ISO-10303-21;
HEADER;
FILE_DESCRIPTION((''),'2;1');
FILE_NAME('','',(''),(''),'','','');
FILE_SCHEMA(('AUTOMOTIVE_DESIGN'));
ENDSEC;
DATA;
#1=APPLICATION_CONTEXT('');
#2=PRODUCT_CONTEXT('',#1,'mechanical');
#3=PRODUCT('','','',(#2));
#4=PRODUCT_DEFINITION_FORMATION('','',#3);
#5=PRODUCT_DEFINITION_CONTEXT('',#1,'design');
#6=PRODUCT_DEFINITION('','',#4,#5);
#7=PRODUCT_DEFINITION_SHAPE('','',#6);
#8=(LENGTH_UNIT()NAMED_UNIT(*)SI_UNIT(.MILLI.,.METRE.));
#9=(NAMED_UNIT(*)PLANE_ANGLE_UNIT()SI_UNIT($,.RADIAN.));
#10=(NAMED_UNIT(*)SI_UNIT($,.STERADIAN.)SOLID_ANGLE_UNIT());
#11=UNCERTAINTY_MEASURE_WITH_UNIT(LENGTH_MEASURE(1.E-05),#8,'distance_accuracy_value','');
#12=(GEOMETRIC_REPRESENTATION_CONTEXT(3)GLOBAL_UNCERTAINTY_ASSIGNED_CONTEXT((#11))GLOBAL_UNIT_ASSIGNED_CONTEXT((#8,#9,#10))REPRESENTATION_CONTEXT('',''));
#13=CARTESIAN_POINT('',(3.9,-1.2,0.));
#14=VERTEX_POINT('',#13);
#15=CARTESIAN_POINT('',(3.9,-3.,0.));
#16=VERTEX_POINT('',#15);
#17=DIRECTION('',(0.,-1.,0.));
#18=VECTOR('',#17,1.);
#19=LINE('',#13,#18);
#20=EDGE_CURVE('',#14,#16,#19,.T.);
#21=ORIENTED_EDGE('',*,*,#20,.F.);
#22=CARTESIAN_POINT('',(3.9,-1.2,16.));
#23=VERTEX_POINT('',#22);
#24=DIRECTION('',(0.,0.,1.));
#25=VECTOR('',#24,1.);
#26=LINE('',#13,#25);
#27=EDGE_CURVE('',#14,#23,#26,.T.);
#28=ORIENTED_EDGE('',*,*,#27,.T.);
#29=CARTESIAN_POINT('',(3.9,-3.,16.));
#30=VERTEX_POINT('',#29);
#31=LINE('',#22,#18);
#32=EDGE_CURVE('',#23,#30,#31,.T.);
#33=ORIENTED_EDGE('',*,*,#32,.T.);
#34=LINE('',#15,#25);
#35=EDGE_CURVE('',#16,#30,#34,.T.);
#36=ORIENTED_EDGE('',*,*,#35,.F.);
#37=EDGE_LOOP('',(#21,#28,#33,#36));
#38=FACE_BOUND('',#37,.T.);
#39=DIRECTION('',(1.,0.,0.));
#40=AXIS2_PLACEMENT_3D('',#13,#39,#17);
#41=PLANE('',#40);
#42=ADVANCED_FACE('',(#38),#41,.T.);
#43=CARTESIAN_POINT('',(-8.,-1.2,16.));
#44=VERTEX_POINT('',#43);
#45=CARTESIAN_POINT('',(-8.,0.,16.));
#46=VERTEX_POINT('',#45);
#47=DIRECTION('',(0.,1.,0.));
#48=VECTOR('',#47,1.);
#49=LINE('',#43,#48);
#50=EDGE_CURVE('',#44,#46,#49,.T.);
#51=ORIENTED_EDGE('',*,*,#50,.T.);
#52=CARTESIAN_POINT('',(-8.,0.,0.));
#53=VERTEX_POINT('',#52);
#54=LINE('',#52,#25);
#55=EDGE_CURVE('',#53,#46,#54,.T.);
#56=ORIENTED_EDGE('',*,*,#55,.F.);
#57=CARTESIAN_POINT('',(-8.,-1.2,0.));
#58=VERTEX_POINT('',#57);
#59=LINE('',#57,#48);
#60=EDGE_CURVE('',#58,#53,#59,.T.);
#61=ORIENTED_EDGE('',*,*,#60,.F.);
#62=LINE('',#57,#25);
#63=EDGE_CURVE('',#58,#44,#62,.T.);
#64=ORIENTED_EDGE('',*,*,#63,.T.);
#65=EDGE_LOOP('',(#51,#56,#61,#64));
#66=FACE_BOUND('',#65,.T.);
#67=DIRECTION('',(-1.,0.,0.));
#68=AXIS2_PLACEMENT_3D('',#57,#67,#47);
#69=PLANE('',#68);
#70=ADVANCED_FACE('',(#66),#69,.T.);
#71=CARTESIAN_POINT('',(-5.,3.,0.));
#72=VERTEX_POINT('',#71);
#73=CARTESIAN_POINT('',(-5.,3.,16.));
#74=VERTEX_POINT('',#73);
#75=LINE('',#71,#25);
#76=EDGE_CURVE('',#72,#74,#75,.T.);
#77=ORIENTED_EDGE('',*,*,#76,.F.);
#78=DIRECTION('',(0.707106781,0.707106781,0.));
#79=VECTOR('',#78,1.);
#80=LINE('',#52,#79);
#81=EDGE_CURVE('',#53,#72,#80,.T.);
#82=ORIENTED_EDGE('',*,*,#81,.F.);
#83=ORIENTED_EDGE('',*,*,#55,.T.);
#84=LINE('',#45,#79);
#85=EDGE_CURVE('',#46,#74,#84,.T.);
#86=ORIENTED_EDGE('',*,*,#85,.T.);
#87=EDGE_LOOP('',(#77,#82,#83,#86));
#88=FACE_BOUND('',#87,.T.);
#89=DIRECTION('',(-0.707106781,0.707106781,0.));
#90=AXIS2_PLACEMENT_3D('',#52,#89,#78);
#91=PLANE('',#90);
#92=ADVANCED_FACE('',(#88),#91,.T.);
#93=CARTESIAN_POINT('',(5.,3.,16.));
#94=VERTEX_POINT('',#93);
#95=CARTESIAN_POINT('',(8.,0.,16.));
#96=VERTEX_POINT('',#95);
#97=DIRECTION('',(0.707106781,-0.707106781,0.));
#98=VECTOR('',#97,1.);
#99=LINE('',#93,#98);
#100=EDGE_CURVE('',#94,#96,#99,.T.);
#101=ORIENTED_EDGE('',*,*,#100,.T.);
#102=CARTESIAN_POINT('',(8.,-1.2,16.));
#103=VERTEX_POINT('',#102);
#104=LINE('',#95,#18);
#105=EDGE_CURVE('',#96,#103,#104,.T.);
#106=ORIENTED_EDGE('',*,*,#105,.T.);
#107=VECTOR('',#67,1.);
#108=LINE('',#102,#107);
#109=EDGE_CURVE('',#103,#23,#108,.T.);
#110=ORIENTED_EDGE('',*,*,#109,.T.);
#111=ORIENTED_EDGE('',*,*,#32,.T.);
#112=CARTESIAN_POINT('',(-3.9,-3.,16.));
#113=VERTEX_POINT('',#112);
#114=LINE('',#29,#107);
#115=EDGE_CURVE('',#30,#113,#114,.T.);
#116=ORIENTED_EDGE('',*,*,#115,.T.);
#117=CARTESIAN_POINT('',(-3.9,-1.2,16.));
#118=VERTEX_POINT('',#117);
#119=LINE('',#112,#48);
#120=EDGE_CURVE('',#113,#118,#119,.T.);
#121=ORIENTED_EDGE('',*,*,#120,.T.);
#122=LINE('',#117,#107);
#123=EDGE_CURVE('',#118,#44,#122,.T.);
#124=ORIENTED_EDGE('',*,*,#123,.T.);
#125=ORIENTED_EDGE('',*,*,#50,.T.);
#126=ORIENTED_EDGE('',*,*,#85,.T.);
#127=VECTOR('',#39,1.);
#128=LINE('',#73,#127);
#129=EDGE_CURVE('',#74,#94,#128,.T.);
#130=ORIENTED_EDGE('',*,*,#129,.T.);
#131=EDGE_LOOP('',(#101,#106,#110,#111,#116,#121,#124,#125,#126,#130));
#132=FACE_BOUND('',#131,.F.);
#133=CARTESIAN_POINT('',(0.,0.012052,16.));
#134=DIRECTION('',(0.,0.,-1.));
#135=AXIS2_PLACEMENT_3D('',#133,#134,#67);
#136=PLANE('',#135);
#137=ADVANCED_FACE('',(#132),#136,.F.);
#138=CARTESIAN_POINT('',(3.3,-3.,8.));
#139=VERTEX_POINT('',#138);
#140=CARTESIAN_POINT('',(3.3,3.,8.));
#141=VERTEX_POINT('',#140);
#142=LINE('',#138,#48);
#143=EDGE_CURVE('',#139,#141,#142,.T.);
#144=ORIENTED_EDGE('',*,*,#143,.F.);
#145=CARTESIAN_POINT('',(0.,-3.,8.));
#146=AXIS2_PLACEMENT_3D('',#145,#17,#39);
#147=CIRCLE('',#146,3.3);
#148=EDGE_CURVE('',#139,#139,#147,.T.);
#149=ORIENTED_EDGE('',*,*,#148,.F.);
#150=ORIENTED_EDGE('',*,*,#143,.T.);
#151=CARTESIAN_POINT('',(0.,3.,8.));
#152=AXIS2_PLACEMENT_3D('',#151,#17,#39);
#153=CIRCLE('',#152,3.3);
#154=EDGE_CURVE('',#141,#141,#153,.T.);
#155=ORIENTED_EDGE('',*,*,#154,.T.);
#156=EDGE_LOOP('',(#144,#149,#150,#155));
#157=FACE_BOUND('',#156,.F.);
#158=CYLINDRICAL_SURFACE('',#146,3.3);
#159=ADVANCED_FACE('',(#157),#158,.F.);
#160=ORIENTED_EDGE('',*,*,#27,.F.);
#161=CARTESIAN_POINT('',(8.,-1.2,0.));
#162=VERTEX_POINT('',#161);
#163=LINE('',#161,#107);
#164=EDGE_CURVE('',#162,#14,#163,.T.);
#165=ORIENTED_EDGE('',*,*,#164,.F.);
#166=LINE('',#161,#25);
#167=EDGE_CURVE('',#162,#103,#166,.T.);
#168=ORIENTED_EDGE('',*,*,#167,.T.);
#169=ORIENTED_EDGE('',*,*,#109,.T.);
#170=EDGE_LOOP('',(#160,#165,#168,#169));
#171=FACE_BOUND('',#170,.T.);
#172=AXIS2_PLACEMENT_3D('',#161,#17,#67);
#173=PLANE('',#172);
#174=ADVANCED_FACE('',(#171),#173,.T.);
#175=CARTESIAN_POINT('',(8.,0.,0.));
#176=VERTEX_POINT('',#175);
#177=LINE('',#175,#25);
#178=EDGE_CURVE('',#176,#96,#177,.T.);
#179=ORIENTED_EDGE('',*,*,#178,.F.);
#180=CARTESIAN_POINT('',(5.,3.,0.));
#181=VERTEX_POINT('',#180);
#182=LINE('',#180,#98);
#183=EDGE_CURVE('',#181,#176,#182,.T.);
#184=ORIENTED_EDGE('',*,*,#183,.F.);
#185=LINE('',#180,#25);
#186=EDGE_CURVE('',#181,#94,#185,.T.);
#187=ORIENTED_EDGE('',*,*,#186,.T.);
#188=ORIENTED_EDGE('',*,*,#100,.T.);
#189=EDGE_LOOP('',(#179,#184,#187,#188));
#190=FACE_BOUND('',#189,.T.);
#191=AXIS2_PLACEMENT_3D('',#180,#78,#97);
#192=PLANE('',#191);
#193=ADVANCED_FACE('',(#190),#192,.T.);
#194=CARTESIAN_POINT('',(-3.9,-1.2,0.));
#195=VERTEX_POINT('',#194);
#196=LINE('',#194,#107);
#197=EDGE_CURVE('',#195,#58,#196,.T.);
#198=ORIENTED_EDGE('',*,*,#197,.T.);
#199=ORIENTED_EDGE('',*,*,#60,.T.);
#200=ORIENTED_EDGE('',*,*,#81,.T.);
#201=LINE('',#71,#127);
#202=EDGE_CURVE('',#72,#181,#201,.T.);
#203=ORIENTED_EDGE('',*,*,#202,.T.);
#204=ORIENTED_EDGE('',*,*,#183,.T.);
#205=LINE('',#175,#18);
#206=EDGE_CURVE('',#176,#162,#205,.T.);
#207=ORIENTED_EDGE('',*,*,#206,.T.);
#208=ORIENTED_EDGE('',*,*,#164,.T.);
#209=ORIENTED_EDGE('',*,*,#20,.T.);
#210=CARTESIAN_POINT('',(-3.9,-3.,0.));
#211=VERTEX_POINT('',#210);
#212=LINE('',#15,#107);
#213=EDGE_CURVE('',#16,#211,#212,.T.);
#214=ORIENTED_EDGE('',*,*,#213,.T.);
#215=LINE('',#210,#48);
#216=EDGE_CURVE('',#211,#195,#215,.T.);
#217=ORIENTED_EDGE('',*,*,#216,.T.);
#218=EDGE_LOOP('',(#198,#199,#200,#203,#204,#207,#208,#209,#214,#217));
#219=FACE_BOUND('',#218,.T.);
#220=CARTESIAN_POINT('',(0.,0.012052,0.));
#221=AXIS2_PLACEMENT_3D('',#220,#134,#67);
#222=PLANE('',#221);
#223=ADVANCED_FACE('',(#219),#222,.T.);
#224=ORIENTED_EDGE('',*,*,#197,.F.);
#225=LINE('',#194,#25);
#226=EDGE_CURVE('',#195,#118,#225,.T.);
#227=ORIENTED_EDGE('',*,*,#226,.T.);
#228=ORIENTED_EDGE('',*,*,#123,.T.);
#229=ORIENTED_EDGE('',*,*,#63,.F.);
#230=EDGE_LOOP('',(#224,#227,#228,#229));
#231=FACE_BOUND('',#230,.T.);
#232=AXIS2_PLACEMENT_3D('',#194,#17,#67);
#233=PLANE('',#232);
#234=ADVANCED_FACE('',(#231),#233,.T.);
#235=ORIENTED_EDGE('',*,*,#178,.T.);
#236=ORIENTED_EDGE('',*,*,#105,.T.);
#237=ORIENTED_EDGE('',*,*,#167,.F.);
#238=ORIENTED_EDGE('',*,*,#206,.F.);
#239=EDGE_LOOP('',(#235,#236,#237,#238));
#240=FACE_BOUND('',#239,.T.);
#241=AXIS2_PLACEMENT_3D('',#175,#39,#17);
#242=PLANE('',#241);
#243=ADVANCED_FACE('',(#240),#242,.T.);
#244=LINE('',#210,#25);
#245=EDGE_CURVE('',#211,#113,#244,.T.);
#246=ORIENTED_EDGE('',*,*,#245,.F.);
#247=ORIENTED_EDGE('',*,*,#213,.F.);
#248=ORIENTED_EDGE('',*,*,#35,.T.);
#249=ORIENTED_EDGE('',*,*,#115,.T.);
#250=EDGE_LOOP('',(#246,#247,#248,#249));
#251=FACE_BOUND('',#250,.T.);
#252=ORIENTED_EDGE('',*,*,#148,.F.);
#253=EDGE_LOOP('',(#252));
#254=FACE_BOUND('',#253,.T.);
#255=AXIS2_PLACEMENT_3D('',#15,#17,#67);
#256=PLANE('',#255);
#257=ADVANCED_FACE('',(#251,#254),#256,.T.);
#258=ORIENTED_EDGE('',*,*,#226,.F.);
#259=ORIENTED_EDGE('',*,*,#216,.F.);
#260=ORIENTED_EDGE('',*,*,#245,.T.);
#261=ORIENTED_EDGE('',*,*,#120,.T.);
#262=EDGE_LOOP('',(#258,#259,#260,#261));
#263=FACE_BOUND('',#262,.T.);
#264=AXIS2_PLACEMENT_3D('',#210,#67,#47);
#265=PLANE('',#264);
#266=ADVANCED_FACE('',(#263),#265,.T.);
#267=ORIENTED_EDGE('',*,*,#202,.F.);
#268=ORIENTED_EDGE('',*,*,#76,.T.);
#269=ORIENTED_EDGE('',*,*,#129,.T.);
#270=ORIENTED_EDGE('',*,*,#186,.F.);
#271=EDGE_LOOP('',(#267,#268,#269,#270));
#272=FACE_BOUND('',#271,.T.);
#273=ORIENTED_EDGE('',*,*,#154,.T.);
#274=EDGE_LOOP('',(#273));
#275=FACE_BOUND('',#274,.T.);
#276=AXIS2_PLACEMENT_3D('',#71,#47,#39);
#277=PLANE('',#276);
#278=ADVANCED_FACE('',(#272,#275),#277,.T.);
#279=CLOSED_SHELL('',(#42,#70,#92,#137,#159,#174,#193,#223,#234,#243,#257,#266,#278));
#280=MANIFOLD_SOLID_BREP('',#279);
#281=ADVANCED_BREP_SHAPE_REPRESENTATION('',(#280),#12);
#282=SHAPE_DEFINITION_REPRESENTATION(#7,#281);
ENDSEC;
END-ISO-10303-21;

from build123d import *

# Parameters (mm, degrees)
PAD002_DEPTH   = 16
SKETCH005_R    = 3.3
HOLE002_DEPTH  = 6
HOLE002_TIPS_R = 3.3


with BuildPart() as part:
    # Sketch004 → Pad002 (new body)
    with BuildSketch(Plane.XY):
        Polygon((-5, 3), (5, 3), (8, 0), (8, -1.2), (3.9, -1.2), (3.9, -3), (-3.9, -3), (-3.9, -1.2), (-8, -1.2), (-8, 0), align=None)
    extrude(amount=PAD002_DEPTH)

    # Sketch005 (on Face6 of Pad002) → Hole002 (cut)
    with BuildSketch(Plane.XZ.offset(3)):
        with Locations((0, 8)):
            Circle(SKETCH005_R)
    extrude(amount=-HOLE002_DEPTH, mode=Mode.SUBTRACT)

    # Hole002 tips → Hole002 tip 1 section 0
    with BuildSketch(Plane.XZ.offset(-3), mode=Mode.PRIVATE) as hole002_tip_1_s0:
        with Locations((0, 8)):
            Circle(HOLE002_TIPS_R)
    loft([hole002_tip_1_s0.sketch, Vertex(0, 4.98284, 8)], mode=Mode.SUBTRACT)


solid = part.part
